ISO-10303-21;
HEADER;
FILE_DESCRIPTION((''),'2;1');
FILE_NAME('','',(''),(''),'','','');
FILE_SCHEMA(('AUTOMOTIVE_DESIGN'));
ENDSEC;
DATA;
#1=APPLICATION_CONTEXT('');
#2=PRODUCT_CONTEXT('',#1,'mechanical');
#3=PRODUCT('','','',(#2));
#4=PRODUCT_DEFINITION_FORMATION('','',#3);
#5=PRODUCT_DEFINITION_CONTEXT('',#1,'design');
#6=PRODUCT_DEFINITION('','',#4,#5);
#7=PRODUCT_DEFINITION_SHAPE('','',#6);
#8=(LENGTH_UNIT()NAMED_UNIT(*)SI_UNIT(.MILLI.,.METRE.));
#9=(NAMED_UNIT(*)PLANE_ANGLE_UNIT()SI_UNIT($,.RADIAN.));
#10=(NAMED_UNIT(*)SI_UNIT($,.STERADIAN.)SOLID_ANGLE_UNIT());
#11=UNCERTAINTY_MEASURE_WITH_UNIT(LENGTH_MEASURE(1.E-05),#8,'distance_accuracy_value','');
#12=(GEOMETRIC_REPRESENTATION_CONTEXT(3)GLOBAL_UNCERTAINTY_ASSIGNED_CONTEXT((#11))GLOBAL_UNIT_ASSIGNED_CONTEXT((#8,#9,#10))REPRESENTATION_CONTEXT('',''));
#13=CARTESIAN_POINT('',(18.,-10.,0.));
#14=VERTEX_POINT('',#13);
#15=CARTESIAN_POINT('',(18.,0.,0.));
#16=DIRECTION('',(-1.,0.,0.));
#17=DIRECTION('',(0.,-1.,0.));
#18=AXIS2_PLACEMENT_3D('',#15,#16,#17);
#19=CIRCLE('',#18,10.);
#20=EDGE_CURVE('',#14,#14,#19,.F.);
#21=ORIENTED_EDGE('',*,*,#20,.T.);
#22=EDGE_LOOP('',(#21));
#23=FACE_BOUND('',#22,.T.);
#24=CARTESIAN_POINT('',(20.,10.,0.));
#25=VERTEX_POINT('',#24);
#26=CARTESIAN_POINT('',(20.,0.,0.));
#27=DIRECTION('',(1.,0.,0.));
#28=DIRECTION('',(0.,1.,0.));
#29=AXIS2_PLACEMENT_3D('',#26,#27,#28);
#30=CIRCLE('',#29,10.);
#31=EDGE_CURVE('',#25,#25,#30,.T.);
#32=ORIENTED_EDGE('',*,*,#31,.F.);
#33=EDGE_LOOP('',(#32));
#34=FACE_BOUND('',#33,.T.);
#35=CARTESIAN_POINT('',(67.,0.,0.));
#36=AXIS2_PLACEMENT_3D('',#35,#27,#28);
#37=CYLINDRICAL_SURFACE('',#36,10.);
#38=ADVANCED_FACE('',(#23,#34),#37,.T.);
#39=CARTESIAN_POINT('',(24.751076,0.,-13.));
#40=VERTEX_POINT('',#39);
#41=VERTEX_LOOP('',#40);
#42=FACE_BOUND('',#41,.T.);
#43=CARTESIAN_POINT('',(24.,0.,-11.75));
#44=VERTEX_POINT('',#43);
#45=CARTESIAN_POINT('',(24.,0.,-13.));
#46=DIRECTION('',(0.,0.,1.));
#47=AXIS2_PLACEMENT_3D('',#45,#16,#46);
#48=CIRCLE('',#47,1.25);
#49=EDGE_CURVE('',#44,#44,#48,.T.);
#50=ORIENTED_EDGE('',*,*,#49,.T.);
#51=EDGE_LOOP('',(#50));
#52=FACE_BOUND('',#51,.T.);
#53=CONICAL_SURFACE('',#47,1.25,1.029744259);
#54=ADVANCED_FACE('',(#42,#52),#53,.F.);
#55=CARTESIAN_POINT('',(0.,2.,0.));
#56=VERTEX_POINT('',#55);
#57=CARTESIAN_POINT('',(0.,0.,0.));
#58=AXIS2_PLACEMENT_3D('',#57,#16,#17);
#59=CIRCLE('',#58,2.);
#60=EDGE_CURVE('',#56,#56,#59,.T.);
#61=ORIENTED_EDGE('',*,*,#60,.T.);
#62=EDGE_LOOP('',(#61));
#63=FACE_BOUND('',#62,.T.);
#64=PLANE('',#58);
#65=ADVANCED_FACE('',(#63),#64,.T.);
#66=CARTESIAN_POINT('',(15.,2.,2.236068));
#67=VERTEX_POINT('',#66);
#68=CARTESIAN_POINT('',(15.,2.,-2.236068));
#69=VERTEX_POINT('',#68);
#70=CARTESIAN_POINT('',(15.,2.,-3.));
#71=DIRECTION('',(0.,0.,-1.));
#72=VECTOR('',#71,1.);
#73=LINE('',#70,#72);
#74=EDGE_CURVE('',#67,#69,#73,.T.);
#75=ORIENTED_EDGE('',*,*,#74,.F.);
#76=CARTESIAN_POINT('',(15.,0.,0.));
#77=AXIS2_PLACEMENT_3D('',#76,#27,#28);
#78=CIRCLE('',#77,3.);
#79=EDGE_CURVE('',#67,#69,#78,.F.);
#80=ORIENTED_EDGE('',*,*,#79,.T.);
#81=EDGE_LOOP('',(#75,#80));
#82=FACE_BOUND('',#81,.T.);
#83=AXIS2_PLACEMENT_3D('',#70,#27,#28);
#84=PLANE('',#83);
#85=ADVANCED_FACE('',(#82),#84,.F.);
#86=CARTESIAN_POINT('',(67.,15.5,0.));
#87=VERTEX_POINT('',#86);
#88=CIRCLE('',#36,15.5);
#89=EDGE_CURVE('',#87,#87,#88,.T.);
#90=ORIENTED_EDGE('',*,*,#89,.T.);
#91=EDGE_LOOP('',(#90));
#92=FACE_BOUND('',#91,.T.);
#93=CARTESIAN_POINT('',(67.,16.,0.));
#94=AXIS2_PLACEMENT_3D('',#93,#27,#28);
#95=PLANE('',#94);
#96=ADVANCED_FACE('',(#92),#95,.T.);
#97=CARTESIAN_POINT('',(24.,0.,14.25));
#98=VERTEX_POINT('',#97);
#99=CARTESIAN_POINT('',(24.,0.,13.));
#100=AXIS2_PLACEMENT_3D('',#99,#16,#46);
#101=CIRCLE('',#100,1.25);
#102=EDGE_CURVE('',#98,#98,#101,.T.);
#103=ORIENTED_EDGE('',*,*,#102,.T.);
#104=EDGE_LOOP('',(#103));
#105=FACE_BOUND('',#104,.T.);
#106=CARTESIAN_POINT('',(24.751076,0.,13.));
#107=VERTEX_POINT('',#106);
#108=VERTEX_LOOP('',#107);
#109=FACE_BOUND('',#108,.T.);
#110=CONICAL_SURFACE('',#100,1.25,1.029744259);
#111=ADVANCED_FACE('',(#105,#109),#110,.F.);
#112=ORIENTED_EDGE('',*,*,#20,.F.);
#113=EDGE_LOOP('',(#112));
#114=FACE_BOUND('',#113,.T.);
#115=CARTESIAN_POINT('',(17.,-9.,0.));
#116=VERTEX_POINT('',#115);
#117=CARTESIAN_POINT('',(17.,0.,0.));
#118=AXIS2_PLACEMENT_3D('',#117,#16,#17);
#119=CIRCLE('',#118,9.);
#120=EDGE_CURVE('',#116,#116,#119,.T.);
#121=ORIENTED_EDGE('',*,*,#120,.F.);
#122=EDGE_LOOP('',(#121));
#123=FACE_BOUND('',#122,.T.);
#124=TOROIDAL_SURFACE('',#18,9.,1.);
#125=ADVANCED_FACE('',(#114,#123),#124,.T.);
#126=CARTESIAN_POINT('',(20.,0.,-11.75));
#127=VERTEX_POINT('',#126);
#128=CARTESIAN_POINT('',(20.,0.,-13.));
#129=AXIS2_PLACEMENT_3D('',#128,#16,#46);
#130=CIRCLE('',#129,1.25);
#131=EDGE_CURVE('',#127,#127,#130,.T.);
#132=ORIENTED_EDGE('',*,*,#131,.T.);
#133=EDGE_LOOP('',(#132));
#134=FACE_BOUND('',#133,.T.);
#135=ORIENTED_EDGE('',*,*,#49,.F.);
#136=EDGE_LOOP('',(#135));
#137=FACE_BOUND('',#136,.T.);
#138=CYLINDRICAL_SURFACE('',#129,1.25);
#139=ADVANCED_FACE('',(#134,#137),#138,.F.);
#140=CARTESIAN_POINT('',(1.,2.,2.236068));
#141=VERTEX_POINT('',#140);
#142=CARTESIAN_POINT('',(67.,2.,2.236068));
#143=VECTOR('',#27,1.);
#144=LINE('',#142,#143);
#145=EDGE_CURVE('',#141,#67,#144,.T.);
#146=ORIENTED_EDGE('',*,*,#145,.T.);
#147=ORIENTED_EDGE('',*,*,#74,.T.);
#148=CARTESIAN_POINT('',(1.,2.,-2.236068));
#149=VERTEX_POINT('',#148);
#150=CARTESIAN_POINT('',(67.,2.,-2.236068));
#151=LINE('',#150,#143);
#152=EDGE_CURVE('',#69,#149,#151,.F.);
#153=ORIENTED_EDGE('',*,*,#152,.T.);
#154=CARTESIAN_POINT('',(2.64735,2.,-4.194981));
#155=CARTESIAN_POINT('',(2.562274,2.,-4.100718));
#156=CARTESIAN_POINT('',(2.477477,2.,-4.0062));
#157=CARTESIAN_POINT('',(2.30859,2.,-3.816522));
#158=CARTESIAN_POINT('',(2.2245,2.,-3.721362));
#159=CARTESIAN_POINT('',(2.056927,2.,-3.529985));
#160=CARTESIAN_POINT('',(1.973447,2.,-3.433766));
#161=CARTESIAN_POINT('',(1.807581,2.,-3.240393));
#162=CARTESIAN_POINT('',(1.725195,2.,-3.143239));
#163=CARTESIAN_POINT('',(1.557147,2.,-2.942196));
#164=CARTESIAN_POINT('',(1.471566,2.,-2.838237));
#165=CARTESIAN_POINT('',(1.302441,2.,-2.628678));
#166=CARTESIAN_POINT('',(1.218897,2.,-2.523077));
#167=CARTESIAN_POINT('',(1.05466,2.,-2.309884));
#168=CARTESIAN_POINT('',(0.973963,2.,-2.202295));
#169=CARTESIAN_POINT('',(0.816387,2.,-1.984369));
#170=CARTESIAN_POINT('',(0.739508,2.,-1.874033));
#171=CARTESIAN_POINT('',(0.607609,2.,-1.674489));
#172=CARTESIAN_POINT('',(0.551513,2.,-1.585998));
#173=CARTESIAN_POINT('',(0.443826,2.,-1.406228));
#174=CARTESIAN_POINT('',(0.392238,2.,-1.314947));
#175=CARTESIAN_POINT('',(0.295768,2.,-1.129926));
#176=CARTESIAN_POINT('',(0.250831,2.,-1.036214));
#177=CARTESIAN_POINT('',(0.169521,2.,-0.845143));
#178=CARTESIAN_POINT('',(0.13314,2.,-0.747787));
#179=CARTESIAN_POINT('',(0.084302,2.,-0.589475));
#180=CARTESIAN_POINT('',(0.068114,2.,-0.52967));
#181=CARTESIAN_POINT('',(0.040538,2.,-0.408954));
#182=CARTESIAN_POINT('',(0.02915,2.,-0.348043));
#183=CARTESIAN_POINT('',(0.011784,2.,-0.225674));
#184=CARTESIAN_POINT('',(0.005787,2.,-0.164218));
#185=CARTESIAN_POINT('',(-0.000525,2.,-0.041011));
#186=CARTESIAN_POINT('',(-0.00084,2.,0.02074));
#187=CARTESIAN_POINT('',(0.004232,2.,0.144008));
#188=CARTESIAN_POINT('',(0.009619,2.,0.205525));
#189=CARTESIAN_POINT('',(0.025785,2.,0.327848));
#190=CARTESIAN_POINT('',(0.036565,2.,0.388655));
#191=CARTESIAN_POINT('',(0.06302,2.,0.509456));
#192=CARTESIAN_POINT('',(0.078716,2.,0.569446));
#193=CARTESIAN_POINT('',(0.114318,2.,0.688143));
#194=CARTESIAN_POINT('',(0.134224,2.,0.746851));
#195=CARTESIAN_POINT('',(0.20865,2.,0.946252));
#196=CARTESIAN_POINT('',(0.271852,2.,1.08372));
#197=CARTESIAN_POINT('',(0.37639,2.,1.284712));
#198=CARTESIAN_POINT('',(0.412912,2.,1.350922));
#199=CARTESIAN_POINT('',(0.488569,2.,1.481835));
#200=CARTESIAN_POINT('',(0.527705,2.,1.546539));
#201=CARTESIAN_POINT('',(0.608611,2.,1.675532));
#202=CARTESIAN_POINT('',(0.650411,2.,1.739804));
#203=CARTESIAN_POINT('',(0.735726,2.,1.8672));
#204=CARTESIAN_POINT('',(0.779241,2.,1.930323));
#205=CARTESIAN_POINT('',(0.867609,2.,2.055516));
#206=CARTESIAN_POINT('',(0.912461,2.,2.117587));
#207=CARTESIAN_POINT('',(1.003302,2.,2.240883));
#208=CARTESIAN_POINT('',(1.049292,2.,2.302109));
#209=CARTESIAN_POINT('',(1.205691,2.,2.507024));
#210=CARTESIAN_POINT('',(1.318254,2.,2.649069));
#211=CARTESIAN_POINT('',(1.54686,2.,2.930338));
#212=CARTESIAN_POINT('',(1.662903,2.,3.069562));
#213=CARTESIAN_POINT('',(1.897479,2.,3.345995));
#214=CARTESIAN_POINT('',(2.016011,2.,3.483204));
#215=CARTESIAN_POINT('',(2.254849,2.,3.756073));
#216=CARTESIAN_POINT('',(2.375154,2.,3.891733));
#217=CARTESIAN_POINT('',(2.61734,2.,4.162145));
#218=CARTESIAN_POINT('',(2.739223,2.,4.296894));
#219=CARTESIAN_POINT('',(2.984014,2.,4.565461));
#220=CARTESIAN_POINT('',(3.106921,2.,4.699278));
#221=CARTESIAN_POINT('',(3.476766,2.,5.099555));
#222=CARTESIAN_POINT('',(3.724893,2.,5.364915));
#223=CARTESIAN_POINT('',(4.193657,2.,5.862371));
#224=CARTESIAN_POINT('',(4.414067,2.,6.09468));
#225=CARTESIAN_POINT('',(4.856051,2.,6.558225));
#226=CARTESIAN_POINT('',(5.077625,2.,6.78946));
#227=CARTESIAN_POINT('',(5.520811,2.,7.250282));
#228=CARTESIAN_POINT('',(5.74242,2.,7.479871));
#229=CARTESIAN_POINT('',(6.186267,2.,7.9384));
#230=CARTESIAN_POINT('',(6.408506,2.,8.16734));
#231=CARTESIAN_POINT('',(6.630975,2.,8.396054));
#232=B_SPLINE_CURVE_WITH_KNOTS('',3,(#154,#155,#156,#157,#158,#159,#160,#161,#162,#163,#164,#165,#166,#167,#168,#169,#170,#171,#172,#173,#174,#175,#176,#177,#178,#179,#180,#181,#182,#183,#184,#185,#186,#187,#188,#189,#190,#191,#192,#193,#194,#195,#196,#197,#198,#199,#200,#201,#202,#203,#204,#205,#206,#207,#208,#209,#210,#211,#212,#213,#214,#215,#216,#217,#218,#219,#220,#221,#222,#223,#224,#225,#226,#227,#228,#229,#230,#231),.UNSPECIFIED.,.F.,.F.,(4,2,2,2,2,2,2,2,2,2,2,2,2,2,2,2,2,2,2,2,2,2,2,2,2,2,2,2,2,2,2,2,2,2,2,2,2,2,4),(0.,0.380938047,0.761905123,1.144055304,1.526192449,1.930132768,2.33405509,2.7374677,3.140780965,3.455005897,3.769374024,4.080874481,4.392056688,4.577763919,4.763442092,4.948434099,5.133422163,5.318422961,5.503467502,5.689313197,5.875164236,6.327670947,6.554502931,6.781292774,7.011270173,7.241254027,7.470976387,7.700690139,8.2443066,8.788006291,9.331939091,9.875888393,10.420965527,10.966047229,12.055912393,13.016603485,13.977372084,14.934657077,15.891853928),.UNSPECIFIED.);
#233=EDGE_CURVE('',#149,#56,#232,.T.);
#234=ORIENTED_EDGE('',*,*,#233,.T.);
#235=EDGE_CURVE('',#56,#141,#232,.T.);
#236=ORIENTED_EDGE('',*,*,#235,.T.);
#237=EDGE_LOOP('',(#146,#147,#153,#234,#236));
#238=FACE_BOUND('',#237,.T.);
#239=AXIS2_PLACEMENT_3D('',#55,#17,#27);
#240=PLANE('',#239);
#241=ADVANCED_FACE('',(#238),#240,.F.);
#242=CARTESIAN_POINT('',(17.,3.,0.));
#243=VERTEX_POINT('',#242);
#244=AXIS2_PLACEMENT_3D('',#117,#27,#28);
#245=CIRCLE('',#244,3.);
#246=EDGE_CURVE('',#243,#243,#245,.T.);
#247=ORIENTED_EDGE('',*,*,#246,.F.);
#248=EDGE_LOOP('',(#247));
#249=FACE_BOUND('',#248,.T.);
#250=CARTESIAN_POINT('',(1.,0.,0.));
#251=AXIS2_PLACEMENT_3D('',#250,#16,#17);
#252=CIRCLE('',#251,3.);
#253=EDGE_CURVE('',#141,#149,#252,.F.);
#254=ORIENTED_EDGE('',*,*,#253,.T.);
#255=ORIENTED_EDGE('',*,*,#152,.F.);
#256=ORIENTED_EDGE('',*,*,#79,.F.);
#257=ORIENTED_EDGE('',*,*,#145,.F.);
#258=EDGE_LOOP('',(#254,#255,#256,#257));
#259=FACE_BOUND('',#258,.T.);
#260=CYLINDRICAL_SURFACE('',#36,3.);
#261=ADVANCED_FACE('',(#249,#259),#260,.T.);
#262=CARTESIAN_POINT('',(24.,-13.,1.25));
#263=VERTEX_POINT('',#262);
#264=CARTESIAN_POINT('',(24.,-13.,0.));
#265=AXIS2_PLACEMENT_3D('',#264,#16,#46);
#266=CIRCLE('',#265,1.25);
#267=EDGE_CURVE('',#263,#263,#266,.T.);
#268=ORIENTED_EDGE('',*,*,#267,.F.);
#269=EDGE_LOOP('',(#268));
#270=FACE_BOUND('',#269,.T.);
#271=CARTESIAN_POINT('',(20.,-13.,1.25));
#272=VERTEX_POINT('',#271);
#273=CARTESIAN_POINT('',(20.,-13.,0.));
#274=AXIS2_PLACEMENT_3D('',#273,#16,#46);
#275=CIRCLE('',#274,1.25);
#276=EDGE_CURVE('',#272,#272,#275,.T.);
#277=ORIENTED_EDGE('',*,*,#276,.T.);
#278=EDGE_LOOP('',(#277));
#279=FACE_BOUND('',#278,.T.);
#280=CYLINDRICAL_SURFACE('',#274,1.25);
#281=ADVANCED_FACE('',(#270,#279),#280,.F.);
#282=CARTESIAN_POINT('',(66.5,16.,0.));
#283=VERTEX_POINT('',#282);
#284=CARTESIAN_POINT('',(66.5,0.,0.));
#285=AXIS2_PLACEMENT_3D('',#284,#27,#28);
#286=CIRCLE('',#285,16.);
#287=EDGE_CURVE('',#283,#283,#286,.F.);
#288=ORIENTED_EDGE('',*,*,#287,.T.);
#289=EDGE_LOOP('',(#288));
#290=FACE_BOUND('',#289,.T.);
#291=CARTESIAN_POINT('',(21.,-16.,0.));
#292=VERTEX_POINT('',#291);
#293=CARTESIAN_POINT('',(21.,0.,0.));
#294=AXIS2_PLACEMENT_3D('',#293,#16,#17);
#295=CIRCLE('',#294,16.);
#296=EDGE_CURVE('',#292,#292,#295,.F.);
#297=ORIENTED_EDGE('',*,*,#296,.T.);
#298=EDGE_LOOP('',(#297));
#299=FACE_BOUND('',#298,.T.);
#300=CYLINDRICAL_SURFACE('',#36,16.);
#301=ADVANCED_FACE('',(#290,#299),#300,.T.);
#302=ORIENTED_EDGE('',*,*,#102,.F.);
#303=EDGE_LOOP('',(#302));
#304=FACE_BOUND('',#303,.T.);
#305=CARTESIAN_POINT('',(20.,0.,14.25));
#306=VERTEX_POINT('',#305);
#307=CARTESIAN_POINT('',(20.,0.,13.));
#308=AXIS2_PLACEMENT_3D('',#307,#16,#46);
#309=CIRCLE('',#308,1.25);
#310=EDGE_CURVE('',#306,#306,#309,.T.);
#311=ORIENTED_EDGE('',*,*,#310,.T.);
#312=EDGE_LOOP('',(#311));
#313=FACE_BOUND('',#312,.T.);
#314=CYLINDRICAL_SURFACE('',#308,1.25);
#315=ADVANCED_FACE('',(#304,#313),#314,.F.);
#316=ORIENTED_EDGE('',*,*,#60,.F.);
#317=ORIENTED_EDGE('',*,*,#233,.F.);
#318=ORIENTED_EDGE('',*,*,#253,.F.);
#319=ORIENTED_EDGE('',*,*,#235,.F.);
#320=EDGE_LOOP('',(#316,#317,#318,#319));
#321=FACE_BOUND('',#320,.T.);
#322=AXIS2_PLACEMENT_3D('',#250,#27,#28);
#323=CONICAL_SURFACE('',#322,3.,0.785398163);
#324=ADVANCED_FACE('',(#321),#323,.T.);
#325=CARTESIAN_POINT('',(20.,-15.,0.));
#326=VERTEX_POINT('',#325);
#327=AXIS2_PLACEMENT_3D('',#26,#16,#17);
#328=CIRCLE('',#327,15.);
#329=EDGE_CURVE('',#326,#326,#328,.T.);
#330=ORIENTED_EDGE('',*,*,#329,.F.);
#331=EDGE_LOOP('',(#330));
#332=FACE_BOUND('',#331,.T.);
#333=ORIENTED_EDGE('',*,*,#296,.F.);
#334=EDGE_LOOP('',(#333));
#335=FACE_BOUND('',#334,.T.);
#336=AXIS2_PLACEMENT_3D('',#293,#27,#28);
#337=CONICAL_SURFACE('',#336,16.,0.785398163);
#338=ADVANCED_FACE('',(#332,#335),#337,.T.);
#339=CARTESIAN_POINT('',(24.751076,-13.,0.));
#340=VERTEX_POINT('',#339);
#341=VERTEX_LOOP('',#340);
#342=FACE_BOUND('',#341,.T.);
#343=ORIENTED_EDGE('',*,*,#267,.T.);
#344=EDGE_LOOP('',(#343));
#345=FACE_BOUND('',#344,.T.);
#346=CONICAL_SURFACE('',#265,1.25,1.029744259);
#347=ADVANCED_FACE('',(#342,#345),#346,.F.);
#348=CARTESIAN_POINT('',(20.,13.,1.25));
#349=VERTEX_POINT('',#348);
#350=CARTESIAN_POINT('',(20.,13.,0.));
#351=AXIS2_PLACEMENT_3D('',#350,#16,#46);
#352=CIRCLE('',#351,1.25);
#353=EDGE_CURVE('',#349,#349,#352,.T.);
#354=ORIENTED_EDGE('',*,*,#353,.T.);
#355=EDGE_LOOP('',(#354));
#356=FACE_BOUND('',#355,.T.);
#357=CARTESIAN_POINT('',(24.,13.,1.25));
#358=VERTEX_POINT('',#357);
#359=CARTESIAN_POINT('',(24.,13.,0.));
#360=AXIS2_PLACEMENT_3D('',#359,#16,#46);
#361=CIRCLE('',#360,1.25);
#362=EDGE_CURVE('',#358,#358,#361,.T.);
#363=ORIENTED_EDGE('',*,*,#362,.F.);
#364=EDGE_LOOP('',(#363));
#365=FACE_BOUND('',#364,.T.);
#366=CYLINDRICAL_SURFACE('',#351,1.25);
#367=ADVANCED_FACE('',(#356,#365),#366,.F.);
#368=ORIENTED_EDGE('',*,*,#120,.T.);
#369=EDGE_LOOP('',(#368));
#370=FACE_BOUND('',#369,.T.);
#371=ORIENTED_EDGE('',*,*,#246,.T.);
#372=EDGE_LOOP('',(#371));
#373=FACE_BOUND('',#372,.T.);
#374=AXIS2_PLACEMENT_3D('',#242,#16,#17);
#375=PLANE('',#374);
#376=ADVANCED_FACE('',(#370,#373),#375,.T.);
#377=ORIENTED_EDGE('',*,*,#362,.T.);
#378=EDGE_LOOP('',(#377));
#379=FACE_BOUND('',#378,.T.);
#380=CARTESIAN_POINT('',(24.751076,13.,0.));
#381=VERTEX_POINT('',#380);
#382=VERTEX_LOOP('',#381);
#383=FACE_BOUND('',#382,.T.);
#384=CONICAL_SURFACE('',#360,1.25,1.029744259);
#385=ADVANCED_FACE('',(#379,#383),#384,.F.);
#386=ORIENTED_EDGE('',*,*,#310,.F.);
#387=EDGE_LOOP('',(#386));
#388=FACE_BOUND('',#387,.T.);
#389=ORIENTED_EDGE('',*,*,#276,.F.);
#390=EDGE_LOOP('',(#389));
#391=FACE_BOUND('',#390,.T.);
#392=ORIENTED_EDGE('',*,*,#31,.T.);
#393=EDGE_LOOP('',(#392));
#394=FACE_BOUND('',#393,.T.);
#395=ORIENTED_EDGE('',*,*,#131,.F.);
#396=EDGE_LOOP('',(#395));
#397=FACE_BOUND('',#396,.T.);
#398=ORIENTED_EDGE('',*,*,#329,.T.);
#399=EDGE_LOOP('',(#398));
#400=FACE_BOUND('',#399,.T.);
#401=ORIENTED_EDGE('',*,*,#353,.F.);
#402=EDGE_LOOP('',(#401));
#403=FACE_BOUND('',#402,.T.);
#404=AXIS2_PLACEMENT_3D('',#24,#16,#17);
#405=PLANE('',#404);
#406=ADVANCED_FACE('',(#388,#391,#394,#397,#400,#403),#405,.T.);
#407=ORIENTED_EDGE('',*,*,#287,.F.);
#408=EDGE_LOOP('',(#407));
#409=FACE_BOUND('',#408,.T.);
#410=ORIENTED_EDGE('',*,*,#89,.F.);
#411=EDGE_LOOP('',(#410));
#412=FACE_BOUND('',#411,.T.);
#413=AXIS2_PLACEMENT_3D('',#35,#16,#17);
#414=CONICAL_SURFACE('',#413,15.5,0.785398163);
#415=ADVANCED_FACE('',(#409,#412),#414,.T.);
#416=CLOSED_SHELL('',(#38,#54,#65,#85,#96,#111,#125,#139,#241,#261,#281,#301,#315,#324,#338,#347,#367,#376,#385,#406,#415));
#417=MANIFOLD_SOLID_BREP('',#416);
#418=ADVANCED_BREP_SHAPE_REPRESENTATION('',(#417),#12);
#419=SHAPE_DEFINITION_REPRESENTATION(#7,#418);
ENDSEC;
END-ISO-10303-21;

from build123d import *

# Parameters (mm, degrees)
TROU_TARAUD_M3X0_51_D     = 2.5
TROU_TARAUD_M3X0_51_DEPTH = 4
TROU_TARAUD_M3X0_51_TIP   = 0.751075774
CHANFREIN1_SIZE           = 0.5
CHANFREIN2_SIZE           = 1
CONG_1_R                  = 1
CHANFREIN3_SIZE           = 1
ESQUISSE4_W               = 15
ESQUISSE4_H               = 6
ENL_V_MAT_EXTRU_1_DEPTH   = 1


with BuildPart() as part:
    # Esquisse1 → Révolution1 (revolve)
    with BuildSketch(Plane.XY):
        Polygon((0, 0), (0, 3), (17, 3), (17, 10), (20, 10), (20, 16), (67, 16), (67, 0), align=None)
    revolve(axis=Axis((67, 0, 0), (-1, 0, 0)))

    # Trou taraudé M3x0.51
    with Locations(Plane.ZY.offset(-20)):
        with Locations((-13, 0), (0, 13), (13, 0), (0, -13)):
            Hole(TROU_TARAUD_M3X0_51_D / 2, depth=TROU_TARAUD_M3X0_51_DEPTH)
            with Locations((0, 0, -(TROU_TARAUD_M3X0_51_DEPTH + TROU_TARAUD_M3X0_51_TIP / 2))):  # 118° drill point
                Cone(0, TROU_TARAUD_M3X0_51_D / 2, TROU_TARAUD_M3X0_51_TIP, mode=Mode.SUBTRACT)

    # Chanfrein1
    chanfrein1_edges = [part.edges().sort_by_distance(p)[0] for p in [
        (67, -16, 0),
    ]]
    chamfer(chanfrein1_edges, length=CHANFREIN1_SIZE)

    # Chanfrein2
    chanfrein2_edges = [part.edges().sort_by_distance(p)[0] for p in [
        (20, -16, 0),
    ]]
    chamfer(chanfrein2_edges, length=CHANFREIN2_SIZE)

    # Congé1
    cong_1_edges = [part.edges().sort_by_distance(p)[0] for p in [
        (17, -10, 0),
    ]]
    fillet(cong_1_edges, radius=CONG_1_R)

    # Chanfrein3
    chanfrein3_edges = [part.edges().sort_by_distance(p)[0] for p in [
        (0, -3, 0),
    ]]
    chamfer(chanfrein3_edges, length=CHANFREIN3_SIZE)

    # Esquisse4 → Enlèv. mat.-Extru.1 (cut)
    with BuildSketch(Plane(origin=(0, 3, 0), x_dir=(1, 0, 0), z_dir=(0, 1, 0))):
        with Locations((7.5, 0)):
            Rectangle(ESQUISSE4_W, ESQUISSE4_H)
    extrude(amount=-ENL_V_MAT_EXTRU_1_DEPTH, mode=Mode.SUBTRACT)


solid = part.part
